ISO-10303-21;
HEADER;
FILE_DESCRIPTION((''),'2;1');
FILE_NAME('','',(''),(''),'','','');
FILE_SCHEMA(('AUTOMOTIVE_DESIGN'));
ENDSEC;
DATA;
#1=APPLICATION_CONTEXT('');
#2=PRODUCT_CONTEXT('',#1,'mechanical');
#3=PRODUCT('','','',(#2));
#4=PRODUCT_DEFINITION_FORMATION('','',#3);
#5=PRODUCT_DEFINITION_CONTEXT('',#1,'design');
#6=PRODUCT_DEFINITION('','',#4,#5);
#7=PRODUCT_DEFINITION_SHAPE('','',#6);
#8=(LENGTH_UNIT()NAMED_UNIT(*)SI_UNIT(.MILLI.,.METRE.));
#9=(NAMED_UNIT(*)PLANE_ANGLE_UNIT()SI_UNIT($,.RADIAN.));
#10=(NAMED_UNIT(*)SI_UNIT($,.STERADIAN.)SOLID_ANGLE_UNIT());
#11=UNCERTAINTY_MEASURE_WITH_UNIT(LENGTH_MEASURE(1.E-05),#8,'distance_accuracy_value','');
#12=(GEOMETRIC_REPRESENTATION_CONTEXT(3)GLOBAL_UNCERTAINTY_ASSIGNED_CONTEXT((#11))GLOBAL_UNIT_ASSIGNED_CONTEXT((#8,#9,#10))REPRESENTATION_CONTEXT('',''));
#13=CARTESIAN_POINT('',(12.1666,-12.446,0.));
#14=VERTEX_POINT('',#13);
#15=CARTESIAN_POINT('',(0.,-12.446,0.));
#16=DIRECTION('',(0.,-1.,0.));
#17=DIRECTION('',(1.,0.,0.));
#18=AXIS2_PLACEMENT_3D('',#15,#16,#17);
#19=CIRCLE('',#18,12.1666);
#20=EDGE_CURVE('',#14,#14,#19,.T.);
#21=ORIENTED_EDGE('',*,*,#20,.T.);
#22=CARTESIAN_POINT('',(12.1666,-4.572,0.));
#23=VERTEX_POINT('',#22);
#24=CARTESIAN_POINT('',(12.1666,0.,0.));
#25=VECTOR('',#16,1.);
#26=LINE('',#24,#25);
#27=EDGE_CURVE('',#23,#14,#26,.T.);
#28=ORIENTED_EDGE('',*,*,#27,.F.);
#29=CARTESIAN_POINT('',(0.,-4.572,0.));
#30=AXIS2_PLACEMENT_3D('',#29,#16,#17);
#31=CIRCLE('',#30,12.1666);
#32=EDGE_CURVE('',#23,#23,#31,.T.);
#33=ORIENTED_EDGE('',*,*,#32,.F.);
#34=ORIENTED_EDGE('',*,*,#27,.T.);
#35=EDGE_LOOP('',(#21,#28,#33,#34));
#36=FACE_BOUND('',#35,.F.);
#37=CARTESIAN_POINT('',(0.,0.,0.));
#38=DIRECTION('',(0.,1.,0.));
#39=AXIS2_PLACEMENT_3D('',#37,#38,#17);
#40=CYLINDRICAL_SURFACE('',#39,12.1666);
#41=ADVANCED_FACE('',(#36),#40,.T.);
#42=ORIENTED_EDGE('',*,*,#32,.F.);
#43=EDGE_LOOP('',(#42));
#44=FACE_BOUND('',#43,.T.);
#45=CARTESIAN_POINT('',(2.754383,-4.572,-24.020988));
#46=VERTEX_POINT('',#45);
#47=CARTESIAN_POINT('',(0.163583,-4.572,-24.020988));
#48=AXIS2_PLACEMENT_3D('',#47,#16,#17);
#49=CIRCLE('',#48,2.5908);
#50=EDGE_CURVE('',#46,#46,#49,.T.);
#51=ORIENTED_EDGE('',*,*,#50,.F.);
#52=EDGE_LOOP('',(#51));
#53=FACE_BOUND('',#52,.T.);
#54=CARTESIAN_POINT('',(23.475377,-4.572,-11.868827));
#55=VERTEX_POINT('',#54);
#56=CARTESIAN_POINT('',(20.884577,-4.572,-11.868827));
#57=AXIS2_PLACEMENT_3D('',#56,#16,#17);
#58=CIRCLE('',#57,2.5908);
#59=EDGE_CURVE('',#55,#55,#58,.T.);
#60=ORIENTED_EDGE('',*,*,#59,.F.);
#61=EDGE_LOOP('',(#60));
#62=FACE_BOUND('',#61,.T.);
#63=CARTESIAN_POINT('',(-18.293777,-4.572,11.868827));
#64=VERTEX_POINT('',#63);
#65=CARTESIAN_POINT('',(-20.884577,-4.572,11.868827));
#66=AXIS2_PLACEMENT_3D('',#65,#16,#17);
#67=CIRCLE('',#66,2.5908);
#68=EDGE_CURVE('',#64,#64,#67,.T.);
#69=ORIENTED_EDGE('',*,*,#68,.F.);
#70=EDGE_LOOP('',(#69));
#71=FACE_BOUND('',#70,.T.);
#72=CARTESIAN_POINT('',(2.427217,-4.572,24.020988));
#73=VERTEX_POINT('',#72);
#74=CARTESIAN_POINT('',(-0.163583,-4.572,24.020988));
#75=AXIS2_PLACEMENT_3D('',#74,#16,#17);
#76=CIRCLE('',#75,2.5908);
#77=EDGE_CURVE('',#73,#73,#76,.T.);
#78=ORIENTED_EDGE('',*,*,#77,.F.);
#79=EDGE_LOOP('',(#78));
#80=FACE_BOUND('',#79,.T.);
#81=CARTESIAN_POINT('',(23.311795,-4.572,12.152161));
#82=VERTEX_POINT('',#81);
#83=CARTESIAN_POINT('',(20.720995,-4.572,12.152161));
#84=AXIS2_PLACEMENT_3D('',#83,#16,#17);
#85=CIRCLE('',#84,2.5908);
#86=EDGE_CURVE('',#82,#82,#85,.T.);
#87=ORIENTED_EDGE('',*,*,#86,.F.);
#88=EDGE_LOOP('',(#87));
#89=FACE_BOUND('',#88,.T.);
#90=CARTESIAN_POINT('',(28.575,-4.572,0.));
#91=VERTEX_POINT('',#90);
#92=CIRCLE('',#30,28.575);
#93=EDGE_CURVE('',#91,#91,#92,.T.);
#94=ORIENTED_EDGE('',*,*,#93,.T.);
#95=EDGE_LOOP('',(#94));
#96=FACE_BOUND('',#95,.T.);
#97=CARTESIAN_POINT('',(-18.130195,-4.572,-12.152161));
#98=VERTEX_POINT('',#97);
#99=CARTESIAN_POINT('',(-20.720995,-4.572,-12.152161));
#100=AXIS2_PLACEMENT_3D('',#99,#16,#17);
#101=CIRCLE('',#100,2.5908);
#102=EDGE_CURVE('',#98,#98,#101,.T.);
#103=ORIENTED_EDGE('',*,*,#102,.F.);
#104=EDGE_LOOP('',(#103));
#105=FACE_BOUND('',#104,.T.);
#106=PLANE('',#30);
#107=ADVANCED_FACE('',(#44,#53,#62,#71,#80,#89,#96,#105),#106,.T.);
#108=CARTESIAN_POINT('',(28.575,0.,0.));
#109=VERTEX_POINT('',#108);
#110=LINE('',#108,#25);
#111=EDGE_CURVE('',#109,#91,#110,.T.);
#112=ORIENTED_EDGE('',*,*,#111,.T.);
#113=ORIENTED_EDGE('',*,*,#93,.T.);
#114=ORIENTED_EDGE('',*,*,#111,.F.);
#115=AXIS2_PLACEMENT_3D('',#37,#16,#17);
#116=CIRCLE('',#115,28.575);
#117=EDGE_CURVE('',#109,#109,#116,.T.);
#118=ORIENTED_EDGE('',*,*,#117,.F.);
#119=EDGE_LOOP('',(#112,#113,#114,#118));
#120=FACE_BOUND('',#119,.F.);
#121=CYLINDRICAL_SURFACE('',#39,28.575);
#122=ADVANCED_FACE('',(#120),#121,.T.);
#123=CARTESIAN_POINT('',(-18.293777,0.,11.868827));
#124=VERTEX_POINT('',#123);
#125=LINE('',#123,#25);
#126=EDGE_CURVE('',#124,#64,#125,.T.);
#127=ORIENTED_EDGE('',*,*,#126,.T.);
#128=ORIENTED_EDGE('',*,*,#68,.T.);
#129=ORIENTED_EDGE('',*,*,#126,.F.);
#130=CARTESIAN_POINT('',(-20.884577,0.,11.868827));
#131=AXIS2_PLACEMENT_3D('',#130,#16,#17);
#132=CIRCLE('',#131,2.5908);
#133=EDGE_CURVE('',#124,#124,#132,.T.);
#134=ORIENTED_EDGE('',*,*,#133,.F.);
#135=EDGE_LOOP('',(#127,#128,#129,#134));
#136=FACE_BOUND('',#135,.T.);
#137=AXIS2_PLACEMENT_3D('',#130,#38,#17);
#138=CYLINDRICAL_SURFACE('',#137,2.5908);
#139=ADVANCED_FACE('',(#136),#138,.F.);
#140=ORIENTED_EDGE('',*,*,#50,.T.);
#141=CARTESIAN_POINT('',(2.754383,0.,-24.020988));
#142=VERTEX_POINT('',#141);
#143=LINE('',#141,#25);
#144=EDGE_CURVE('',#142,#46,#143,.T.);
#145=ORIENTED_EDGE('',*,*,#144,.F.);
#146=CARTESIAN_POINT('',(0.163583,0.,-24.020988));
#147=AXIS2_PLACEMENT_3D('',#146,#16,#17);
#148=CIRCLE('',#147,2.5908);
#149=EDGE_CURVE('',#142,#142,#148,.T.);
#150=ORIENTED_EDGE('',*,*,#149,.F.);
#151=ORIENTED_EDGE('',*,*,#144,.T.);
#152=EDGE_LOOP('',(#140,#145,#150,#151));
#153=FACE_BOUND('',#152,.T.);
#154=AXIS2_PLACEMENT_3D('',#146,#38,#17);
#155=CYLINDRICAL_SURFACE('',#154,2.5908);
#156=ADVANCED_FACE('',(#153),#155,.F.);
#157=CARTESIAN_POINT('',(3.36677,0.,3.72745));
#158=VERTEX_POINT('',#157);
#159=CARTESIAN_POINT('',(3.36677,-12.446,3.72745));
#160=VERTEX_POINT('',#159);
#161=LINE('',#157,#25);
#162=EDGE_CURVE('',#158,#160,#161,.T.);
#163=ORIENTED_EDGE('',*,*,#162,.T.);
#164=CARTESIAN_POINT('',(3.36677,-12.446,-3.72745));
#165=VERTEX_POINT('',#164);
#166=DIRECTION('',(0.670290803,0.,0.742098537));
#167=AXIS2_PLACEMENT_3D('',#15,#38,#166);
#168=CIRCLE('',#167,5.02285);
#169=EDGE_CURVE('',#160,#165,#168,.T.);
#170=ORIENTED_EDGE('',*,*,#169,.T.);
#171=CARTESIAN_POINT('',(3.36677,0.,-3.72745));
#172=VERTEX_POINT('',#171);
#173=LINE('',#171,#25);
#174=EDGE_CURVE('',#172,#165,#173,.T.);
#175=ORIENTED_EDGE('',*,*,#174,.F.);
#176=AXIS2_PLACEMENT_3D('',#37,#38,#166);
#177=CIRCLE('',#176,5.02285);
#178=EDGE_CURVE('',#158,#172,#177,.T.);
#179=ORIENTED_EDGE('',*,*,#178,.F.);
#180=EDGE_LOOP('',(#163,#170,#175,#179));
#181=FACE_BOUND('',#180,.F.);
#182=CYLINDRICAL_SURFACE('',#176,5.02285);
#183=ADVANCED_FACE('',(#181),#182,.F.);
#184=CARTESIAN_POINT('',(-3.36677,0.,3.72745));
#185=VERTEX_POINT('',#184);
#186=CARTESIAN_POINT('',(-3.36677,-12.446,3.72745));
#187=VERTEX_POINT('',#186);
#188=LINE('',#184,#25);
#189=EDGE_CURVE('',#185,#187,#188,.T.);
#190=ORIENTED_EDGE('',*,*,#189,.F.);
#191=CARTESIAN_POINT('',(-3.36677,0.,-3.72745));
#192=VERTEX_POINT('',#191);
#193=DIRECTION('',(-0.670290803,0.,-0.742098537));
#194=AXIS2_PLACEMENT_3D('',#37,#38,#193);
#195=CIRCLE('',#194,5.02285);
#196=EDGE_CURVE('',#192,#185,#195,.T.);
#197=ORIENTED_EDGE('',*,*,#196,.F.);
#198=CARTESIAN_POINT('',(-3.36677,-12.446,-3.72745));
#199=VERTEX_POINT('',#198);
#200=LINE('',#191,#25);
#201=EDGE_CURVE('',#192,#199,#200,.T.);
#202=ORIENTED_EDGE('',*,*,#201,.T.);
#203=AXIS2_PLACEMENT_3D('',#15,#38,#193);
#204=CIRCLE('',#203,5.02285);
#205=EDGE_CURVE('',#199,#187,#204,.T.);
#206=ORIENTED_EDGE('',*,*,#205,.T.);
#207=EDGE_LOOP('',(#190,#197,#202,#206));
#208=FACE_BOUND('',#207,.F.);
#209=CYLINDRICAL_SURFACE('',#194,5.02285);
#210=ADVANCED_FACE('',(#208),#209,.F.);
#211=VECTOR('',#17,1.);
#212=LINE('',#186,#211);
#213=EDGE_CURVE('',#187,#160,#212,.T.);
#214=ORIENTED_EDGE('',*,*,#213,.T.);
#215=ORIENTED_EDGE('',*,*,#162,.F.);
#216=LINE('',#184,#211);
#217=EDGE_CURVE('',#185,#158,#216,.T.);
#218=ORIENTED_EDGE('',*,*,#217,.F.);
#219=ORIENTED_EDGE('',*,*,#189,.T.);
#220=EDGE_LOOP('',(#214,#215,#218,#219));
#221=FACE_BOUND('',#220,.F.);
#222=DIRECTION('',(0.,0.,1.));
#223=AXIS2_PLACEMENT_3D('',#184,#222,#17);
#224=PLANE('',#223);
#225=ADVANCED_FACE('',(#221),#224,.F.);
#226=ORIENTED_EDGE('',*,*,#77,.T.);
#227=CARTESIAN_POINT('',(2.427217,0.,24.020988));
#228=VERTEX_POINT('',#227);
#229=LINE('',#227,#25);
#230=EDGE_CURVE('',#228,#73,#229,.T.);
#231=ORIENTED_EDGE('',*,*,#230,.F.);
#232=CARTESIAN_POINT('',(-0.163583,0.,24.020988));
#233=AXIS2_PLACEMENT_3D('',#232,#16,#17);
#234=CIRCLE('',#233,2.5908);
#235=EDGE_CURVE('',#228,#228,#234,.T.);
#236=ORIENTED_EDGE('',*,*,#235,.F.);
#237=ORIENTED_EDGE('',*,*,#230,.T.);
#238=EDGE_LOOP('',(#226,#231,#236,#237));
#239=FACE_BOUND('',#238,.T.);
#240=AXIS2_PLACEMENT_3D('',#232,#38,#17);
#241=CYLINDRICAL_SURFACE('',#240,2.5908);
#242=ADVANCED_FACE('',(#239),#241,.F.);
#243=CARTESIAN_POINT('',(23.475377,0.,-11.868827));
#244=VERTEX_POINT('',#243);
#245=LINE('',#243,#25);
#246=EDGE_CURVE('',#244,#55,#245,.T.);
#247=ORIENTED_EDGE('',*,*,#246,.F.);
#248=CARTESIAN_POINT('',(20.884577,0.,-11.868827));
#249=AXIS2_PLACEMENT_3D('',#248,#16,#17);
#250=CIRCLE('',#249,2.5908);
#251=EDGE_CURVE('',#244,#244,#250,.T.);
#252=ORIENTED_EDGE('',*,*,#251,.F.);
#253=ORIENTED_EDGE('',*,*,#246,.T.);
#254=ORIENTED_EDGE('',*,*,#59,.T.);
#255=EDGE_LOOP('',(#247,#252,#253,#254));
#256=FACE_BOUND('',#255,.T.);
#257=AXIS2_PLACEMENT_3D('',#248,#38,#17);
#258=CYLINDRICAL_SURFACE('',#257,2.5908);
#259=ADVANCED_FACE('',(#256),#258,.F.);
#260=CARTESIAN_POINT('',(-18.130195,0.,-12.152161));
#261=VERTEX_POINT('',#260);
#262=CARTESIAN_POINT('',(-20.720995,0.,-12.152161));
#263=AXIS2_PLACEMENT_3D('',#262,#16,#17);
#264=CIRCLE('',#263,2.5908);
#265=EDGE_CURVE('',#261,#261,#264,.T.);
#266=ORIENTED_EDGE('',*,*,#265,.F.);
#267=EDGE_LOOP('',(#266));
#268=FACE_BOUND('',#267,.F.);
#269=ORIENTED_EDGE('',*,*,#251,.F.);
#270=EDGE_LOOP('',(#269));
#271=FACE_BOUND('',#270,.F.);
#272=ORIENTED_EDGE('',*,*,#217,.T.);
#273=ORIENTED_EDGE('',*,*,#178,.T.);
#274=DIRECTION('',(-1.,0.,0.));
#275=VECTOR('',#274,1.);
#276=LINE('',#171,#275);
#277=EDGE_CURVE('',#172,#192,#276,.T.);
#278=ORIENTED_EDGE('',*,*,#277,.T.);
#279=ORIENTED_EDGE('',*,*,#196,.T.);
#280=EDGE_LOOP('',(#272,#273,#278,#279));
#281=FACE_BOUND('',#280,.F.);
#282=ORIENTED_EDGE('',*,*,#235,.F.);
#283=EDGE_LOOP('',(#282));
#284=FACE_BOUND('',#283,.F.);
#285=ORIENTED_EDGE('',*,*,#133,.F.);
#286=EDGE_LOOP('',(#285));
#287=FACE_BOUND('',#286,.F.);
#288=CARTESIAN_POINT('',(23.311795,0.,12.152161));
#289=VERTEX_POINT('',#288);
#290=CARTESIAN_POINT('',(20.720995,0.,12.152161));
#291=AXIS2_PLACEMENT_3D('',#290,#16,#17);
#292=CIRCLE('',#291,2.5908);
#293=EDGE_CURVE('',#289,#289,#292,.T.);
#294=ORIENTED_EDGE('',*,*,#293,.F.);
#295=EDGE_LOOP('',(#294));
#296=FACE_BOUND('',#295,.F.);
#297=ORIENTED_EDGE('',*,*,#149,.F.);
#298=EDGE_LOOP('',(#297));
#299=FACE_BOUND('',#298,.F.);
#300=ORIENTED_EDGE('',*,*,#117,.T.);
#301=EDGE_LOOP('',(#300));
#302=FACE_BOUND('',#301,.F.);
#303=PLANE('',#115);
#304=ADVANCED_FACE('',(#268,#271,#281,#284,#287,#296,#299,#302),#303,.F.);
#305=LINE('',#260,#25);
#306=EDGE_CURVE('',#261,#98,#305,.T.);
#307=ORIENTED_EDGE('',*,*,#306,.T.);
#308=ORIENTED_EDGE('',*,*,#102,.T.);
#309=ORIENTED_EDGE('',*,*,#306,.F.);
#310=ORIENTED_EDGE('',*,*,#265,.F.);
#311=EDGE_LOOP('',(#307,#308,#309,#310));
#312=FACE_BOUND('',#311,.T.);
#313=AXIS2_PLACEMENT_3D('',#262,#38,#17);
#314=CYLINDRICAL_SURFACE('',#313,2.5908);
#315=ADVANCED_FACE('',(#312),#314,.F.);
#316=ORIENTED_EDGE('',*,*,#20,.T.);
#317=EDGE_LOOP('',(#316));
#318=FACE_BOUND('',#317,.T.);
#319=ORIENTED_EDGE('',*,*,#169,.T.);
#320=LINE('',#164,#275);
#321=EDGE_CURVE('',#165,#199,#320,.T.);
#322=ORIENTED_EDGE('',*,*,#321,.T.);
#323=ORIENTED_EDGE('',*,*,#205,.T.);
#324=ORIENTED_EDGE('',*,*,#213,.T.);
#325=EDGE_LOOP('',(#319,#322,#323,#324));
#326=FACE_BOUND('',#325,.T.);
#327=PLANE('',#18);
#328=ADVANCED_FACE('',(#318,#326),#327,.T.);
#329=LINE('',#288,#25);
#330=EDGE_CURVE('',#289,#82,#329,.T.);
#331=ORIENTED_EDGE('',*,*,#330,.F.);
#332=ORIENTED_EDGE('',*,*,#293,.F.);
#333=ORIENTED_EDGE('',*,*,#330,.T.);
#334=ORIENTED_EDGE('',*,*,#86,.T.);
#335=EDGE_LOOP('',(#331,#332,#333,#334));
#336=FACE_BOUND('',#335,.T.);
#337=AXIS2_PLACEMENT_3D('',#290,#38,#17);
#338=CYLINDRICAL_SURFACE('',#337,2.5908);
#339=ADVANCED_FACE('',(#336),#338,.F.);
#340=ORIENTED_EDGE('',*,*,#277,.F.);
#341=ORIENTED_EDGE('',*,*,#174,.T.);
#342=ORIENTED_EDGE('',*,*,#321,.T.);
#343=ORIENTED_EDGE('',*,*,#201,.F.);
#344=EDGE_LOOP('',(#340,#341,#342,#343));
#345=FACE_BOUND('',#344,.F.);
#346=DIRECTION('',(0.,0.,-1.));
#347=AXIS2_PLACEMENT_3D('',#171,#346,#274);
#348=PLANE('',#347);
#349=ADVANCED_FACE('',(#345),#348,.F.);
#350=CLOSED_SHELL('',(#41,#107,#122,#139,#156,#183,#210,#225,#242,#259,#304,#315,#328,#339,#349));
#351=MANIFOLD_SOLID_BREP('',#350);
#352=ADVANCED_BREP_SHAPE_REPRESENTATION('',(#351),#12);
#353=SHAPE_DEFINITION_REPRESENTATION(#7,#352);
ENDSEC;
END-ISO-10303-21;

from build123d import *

# Parameters (mm, degrees)
F0_R     = 28.575
F0_R_2   = 2.5908
F0_R_3   = 12.1666
F1_DEPTH = 4.572
F2_DEPTH = 12.446


with BuildPart() as f1:
    # F0 (on Front) → F1 (new body)
    with BuildSketch(Plane.XZ):
        Circle(F0_R)
        with Locations((-20.720995, -12.152161)):
            Circle(F0_R_2, mode=Mode.SUBTRACT)
        with Locations((0.163583, -24.020988)):
            Circle(F0_R_2, mode=Mode.SUBTRACT)
        with Locations((20.884577, -11.868827)):
            Circle(F0_R_2, mode=Mode.SUBTRACT)
        with Locations((-20.884577, 11.868827)):
            Circle(F0_R_2, mode=Mode.SUBTRACT)
        with Locations((-0.163583, 24.020988)):
            Circle(F0_R_2, mode=Mode.SUBTRACT)
        Circle(F0_R_3, mode=Mode.SUBTRACT)
        with Locations((20.720995, 12.152161)):
            Circle(F0_R_2, mode=Mode.SUBTRACT)
    extrude(amount=F1_DEPTH)

    # F0 (on Front) → F2 (join)
    with BuildSketch(Plane.XZ):
        Circle(F0_R_3)
        with BuildLine():
            ThreePointArc((-3.36677, -3.72745), (-5.02285, 0), (-3.36677, 3.72745))
            Line((-3.36677, 3.72745), (3.36677, 3.72745))
            ThreePointArc((3.36677, 3.72745), (5.02285, 0), (3.36677, -3.72745))
            Line((3.36677, -3.72745), (-3.36677, -3.72745))
        make_face(mode=Mode.SUBTRACT)
    extrude(amount=F2_DEPTH)


solid = f1.part
